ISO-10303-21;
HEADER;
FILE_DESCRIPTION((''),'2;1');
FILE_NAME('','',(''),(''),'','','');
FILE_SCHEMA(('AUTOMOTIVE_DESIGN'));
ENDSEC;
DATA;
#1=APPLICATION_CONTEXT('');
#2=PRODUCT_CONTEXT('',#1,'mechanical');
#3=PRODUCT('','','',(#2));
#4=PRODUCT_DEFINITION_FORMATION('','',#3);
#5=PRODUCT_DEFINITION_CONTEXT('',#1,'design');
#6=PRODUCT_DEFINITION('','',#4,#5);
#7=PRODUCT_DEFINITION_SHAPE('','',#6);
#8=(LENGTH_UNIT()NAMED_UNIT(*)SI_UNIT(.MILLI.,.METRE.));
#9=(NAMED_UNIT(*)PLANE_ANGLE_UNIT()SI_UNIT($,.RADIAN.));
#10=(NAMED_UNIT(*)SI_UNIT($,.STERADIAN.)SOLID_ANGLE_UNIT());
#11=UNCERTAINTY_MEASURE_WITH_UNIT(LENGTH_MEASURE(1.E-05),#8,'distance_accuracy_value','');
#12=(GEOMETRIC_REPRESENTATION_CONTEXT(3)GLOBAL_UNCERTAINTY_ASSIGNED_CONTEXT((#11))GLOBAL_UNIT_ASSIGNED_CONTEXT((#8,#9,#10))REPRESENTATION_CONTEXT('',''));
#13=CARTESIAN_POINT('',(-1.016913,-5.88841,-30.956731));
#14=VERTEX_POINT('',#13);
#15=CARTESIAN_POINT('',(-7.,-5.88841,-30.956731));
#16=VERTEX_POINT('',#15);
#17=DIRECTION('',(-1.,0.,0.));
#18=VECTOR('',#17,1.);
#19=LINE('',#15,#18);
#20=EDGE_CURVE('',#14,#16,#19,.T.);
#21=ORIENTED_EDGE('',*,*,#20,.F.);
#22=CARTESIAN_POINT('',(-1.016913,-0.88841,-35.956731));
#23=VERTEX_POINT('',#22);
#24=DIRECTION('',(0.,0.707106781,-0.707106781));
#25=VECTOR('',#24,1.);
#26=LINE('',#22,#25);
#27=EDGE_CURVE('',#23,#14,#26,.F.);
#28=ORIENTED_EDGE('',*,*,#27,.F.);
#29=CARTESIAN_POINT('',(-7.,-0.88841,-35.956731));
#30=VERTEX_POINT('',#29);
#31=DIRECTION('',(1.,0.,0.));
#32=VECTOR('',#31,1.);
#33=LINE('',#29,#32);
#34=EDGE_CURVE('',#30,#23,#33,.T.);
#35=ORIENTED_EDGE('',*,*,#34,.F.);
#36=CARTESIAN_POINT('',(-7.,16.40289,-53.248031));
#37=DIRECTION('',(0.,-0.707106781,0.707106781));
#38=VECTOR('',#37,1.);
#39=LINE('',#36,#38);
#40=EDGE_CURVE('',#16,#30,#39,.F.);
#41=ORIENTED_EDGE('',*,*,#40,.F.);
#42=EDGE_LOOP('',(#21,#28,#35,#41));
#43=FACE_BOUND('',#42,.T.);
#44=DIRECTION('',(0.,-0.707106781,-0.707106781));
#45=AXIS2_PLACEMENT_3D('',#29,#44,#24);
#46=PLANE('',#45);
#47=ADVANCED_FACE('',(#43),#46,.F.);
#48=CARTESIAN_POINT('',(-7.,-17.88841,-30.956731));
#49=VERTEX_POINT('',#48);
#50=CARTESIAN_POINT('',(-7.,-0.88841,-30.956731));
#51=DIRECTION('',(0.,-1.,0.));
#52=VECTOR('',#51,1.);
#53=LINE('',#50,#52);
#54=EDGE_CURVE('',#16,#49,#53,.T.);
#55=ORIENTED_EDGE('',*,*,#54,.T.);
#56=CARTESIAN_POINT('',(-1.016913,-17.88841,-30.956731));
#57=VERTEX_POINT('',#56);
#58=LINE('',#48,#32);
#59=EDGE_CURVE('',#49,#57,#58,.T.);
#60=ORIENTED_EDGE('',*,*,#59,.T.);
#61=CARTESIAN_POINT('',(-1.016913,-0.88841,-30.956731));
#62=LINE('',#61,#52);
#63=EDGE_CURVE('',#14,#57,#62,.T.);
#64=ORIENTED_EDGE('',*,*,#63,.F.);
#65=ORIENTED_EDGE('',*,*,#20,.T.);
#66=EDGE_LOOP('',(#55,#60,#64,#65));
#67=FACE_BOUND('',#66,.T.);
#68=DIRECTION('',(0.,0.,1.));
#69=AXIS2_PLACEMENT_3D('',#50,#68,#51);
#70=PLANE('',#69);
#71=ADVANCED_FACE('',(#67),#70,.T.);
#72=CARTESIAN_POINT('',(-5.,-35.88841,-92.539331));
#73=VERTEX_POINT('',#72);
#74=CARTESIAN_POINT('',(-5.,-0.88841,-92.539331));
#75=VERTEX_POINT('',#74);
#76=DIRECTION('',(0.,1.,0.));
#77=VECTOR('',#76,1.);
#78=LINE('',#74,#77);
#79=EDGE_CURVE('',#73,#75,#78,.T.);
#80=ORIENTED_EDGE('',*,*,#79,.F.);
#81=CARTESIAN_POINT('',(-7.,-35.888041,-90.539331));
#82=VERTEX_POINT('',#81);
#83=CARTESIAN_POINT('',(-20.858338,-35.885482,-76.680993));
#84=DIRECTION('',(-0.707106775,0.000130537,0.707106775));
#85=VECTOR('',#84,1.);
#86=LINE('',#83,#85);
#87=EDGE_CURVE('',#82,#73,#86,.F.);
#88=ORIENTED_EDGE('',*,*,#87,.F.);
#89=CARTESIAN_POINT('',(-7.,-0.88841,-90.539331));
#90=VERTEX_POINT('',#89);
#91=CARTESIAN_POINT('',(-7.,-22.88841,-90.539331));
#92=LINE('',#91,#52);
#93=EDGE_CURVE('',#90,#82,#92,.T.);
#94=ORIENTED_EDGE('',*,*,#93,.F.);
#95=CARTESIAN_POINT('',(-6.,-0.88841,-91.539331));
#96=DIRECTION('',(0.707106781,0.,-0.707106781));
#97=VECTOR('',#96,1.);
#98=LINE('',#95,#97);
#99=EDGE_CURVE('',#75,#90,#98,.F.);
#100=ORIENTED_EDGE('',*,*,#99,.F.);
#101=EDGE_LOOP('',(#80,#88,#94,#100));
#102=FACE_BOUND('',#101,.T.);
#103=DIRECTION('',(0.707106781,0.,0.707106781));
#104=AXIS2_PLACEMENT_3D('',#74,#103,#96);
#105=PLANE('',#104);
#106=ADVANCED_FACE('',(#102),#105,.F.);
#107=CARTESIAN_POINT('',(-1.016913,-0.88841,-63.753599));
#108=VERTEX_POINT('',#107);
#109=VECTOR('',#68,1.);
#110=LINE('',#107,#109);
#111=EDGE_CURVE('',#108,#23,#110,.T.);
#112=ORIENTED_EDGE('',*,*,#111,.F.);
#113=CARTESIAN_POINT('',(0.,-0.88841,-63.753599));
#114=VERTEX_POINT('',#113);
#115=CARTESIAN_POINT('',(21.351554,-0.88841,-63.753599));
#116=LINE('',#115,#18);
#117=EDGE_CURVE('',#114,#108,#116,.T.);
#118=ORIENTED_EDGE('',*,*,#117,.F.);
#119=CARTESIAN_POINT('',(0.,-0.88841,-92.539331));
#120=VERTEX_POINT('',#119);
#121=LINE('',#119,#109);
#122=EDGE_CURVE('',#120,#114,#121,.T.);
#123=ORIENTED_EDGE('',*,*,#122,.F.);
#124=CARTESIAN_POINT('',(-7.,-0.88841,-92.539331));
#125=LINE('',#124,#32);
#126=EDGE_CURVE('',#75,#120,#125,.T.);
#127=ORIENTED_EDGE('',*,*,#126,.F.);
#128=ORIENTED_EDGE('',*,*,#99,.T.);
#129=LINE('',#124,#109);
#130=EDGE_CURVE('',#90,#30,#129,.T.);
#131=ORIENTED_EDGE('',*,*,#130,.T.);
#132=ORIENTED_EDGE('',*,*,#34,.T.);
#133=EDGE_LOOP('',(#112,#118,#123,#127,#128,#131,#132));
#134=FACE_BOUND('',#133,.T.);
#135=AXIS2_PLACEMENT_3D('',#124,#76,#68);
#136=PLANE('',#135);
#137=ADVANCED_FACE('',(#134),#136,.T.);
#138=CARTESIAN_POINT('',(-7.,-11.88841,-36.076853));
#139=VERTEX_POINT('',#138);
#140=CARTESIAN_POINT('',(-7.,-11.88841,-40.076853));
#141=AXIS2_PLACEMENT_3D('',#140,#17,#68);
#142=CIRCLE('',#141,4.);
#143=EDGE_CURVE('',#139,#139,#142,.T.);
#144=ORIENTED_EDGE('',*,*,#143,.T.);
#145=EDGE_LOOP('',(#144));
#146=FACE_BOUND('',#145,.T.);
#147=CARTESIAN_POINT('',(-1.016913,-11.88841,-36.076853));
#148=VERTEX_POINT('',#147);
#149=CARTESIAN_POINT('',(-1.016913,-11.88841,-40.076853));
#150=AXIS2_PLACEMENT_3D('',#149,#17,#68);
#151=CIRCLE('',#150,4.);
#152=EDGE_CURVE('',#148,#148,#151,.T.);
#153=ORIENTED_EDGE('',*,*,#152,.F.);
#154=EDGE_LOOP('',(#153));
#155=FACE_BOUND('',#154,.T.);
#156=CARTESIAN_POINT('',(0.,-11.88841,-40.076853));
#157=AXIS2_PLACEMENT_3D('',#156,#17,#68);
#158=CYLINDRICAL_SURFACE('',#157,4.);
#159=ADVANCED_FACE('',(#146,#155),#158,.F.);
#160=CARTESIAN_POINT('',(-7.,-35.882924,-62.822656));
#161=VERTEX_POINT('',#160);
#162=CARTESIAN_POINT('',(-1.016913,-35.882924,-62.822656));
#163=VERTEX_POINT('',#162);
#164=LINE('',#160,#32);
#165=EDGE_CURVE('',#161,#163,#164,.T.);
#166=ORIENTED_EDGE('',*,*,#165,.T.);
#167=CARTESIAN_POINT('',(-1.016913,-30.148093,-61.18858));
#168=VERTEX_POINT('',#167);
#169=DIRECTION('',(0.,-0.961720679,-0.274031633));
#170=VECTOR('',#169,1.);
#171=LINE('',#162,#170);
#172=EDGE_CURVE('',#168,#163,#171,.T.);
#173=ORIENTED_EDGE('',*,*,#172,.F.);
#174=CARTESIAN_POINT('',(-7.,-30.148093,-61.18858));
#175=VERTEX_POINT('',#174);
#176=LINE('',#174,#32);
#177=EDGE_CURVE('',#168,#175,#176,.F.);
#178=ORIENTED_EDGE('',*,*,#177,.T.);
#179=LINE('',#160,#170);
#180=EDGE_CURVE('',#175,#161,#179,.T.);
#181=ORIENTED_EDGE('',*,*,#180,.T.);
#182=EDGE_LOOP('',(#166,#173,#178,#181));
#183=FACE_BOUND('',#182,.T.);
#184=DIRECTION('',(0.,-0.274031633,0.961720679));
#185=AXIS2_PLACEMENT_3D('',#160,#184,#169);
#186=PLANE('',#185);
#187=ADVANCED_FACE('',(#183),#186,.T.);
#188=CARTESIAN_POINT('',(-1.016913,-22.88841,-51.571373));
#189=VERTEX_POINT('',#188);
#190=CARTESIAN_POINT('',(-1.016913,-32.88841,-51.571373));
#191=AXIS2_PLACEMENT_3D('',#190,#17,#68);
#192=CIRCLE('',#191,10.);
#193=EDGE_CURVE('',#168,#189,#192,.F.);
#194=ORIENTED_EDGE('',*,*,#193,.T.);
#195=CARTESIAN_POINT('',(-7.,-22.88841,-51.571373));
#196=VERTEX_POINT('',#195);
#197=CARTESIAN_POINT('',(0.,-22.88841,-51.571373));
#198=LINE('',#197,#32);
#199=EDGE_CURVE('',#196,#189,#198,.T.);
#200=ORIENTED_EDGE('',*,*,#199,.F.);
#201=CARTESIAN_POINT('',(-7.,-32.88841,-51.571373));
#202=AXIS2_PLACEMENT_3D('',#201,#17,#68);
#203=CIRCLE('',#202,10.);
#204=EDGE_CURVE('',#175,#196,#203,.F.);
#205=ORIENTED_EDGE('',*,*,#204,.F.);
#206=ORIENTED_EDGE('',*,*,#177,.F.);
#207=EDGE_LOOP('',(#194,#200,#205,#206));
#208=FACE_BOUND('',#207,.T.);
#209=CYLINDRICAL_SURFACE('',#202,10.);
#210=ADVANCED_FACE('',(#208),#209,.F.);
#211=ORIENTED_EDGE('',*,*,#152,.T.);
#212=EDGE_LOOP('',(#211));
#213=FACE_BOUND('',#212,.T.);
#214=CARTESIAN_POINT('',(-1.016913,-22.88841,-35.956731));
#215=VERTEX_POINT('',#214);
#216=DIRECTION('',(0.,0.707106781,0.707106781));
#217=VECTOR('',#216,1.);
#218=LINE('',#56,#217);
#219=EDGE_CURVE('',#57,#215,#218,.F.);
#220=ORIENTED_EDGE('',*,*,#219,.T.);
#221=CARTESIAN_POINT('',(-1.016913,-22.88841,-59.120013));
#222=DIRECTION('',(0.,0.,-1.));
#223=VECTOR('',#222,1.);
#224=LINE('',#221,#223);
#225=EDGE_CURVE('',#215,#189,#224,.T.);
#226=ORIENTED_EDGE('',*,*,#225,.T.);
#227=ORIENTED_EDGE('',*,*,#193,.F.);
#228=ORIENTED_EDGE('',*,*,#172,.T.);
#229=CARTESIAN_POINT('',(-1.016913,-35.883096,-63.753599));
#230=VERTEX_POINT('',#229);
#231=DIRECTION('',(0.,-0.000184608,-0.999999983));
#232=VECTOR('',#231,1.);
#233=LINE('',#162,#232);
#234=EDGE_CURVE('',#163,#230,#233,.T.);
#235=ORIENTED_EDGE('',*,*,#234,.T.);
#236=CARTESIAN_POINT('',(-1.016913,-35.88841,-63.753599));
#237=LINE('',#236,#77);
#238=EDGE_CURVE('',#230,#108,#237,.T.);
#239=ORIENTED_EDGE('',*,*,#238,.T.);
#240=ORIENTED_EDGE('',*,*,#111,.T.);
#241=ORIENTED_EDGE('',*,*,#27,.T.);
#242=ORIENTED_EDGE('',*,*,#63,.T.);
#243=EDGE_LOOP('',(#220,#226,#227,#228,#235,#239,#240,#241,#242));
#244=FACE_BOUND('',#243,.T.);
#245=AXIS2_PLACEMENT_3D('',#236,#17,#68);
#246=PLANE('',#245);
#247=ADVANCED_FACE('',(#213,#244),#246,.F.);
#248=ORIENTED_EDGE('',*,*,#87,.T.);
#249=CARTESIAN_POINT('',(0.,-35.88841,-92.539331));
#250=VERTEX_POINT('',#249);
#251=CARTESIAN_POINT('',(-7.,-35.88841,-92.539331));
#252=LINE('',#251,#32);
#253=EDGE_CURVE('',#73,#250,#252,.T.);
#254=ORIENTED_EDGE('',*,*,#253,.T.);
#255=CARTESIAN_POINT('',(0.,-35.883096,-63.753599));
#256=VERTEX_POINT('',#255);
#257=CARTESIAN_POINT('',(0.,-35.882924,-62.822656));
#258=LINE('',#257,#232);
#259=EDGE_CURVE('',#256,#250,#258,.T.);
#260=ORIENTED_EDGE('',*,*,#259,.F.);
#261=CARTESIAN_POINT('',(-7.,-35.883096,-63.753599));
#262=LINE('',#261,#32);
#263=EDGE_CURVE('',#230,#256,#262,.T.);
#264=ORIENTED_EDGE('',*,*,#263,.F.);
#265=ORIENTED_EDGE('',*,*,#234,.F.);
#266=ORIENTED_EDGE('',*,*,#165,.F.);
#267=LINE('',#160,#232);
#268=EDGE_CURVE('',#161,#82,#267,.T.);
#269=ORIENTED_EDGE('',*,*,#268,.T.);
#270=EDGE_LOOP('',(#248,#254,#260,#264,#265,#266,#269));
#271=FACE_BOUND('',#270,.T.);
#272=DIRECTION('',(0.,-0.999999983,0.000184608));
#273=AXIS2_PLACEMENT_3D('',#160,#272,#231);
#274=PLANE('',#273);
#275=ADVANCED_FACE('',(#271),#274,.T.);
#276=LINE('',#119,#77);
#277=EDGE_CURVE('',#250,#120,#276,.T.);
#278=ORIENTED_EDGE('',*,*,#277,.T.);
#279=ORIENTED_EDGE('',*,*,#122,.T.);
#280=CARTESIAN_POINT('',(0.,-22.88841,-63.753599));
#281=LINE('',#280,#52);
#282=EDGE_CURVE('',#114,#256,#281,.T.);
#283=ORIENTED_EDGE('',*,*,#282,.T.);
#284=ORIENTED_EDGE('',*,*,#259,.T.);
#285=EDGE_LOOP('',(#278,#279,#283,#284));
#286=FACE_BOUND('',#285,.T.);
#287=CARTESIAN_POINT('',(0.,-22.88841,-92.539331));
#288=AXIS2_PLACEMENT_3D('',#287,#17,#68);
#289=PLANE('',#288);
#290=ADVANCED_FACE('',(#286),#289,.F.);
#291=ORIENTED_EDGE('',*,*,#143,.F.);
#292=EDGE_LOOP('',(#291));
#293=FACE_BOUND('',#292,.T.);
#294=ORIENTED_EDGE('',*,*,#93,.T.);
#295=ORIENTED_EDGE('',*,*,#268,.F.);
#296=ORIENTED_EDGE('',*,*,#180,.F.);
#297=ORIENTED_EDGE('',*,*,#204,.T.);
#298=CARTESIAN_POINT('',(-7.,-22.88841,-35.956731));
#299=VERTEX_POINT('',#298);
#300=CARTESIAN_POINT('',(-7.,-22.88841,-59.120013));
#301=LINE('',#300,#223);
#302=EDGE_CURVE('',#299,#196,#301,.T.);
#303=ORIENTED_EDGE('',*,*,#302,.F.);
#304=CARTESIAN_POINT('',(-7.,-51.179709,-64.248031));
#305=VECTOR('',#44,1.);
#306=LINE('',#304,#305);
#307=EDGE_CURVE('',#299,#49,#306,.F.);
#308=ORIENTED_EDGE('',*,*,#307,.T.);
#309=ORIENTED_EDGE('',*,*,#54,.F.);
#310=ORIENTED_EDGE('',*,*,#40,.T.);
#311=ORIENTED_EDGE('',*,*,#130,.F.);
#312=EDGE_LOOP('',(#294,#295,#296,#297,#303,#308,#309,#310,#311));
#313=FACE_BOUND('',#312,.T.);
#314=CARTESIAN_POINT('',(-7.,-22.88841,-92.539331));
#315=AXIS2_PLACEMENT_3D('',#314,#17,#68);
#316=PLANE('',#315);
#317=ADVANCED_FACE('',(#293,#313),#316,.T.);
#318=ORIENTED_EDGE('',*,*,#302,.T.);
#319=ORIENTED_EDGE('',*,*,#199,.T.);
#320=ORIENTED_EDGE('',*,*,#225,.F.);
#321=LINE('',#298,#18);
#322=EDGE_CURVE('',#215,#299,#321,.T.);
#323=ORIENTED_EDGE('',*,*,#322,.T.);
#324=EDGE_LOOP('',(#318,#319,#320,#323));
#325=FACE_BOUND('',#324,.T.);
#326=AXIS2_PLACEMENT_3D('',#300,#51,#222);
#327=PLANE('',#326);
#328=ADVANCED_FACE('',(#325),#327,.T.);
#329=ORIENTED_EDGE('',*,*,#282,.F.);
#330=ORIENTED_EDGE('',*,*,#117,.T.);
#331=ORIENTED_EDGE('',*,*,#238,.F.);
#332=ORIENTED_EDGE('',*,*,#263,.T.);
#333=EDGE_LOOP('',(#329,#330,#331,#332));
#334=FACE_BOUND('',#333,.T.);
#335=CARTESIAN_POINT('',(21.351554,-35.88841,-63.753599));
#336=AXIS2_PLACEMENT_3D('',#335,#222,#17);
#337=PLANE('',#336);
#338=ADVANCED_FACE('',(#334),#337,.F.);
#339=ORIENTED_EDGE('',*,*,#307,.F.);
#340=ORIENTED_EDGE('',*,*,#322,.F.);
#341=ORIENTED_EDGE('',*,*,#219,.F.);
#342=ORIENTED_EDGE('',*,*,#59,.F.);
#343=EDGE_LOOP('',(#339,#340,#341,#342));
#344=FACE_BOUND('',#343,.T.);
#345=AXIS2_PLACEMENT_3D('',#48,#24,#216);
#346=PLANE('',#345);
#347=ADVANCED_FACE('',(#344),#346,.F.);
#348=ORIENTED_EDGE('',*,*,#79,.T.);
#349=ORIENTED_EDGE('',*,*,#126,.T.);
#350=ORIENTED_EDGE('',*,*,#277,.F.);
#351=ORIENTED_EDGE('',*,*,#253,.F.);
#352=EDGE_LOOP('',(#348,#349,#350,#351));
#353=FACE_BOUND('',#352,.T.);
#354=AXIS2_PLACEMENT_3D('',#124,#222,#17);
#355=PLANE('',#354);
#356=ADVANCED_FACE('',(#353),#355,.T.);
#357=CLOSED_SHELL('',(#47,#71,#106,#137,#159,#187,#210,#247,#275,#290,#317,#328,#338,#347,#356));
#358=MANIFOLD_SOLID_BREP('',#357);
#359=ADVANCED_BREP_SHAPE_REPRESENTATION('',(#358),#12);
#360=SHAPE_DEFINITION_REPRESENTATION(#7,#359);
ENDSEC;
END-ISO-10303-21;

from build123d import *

# Parameters (mm, degrees)
EXTRUDE_1_DEPTH     = 7
FILLET_1_R          = 10
CHAMFER_1_SIZE      = 5
CHAMFER_2_SIZE      = 2
SKETCH_2_W          = 22.368466887
SKETCH_2_H          = 53.156625086
CUT_EXTRUDE_1_DEPTH = 100.184312104
SKETCH_3_R          = 4
CUT_EXTRUDE_2_DEPTH = 100.50128502


with BuildPart() as part:
    # Эскиз1 → Вытянуть1 (new body)
    with BuildSketch(Plane(origin=(0, 0, 0), x_dir=(0, 0, -1), z_dir=(1, 0, 0))):
        Polygon((62.822655934, -35.882923805), (59.120013374, -22.888409733), (30.956731402, -22.888409733), (30.956731402, -0.888409733), (92.539330922, -0.888409733), (92.539330922, -35.888409733), align=None)
    extrude(amount=-EXTRUDE_1_DEPTH)

    # Скругление1
    fillet_1_edges = [part.edges().sort_by_distance(p)[0] for p in [
        (-3.5, -22.888409733, -59.120013374),
    ]]
    fillet(fillet_1_edges, radius=FILLET_1_R)

    # Фаска1
    chamfer_1_edges = [part.edges().sort_by_distance(p)[0] for p in [
        (-3.5, -22.888409733, -30.956731402),
        (-3.5, -0.888409733, -30.956731402),
    ]]
    chamfer(chamfer_1_edges, length=CHAMFER_1_SIZE)

    # Фаска2
    chamfer_2_edges = [part.edges().sort_by_distance(p)[0] for p in [
        (-7, -18.388409733, -92.539330922),
    ]]
    chamfer(chamfer_2_edges, length=CHAMFER_2_SIZE)

    # Эскиз2 → Вырез-Вытянуть1 (cut, through all)
    with BuildSketch(Plane(origin=(0, -0.888409733, 0), x_dir=(-1, 0, 0), z_dir=(0, 1, 0))):
        with Locations((-10.167320296, -37.175286002)):
            Rectangle(SKETCH_2_W, SKETCH_2_H)
    extrude(amount=-CUT_EXTRUDE_1_DEPTH, mode=Mode.SUBTRACT)

    # Эскиз3 → Вырез-Вытянуть2 (cut, through all)
    with BuildSketch(Plane.ZY.offset(7)):
        with Locations((-40.076852625, -11.888409733)):
            Circle(SKETCH_3_R)
    extrude(amount=-CUT_EXTRUDE_2_DEPTH, mode=Mode.SUBTRACT)


solid = part.part
